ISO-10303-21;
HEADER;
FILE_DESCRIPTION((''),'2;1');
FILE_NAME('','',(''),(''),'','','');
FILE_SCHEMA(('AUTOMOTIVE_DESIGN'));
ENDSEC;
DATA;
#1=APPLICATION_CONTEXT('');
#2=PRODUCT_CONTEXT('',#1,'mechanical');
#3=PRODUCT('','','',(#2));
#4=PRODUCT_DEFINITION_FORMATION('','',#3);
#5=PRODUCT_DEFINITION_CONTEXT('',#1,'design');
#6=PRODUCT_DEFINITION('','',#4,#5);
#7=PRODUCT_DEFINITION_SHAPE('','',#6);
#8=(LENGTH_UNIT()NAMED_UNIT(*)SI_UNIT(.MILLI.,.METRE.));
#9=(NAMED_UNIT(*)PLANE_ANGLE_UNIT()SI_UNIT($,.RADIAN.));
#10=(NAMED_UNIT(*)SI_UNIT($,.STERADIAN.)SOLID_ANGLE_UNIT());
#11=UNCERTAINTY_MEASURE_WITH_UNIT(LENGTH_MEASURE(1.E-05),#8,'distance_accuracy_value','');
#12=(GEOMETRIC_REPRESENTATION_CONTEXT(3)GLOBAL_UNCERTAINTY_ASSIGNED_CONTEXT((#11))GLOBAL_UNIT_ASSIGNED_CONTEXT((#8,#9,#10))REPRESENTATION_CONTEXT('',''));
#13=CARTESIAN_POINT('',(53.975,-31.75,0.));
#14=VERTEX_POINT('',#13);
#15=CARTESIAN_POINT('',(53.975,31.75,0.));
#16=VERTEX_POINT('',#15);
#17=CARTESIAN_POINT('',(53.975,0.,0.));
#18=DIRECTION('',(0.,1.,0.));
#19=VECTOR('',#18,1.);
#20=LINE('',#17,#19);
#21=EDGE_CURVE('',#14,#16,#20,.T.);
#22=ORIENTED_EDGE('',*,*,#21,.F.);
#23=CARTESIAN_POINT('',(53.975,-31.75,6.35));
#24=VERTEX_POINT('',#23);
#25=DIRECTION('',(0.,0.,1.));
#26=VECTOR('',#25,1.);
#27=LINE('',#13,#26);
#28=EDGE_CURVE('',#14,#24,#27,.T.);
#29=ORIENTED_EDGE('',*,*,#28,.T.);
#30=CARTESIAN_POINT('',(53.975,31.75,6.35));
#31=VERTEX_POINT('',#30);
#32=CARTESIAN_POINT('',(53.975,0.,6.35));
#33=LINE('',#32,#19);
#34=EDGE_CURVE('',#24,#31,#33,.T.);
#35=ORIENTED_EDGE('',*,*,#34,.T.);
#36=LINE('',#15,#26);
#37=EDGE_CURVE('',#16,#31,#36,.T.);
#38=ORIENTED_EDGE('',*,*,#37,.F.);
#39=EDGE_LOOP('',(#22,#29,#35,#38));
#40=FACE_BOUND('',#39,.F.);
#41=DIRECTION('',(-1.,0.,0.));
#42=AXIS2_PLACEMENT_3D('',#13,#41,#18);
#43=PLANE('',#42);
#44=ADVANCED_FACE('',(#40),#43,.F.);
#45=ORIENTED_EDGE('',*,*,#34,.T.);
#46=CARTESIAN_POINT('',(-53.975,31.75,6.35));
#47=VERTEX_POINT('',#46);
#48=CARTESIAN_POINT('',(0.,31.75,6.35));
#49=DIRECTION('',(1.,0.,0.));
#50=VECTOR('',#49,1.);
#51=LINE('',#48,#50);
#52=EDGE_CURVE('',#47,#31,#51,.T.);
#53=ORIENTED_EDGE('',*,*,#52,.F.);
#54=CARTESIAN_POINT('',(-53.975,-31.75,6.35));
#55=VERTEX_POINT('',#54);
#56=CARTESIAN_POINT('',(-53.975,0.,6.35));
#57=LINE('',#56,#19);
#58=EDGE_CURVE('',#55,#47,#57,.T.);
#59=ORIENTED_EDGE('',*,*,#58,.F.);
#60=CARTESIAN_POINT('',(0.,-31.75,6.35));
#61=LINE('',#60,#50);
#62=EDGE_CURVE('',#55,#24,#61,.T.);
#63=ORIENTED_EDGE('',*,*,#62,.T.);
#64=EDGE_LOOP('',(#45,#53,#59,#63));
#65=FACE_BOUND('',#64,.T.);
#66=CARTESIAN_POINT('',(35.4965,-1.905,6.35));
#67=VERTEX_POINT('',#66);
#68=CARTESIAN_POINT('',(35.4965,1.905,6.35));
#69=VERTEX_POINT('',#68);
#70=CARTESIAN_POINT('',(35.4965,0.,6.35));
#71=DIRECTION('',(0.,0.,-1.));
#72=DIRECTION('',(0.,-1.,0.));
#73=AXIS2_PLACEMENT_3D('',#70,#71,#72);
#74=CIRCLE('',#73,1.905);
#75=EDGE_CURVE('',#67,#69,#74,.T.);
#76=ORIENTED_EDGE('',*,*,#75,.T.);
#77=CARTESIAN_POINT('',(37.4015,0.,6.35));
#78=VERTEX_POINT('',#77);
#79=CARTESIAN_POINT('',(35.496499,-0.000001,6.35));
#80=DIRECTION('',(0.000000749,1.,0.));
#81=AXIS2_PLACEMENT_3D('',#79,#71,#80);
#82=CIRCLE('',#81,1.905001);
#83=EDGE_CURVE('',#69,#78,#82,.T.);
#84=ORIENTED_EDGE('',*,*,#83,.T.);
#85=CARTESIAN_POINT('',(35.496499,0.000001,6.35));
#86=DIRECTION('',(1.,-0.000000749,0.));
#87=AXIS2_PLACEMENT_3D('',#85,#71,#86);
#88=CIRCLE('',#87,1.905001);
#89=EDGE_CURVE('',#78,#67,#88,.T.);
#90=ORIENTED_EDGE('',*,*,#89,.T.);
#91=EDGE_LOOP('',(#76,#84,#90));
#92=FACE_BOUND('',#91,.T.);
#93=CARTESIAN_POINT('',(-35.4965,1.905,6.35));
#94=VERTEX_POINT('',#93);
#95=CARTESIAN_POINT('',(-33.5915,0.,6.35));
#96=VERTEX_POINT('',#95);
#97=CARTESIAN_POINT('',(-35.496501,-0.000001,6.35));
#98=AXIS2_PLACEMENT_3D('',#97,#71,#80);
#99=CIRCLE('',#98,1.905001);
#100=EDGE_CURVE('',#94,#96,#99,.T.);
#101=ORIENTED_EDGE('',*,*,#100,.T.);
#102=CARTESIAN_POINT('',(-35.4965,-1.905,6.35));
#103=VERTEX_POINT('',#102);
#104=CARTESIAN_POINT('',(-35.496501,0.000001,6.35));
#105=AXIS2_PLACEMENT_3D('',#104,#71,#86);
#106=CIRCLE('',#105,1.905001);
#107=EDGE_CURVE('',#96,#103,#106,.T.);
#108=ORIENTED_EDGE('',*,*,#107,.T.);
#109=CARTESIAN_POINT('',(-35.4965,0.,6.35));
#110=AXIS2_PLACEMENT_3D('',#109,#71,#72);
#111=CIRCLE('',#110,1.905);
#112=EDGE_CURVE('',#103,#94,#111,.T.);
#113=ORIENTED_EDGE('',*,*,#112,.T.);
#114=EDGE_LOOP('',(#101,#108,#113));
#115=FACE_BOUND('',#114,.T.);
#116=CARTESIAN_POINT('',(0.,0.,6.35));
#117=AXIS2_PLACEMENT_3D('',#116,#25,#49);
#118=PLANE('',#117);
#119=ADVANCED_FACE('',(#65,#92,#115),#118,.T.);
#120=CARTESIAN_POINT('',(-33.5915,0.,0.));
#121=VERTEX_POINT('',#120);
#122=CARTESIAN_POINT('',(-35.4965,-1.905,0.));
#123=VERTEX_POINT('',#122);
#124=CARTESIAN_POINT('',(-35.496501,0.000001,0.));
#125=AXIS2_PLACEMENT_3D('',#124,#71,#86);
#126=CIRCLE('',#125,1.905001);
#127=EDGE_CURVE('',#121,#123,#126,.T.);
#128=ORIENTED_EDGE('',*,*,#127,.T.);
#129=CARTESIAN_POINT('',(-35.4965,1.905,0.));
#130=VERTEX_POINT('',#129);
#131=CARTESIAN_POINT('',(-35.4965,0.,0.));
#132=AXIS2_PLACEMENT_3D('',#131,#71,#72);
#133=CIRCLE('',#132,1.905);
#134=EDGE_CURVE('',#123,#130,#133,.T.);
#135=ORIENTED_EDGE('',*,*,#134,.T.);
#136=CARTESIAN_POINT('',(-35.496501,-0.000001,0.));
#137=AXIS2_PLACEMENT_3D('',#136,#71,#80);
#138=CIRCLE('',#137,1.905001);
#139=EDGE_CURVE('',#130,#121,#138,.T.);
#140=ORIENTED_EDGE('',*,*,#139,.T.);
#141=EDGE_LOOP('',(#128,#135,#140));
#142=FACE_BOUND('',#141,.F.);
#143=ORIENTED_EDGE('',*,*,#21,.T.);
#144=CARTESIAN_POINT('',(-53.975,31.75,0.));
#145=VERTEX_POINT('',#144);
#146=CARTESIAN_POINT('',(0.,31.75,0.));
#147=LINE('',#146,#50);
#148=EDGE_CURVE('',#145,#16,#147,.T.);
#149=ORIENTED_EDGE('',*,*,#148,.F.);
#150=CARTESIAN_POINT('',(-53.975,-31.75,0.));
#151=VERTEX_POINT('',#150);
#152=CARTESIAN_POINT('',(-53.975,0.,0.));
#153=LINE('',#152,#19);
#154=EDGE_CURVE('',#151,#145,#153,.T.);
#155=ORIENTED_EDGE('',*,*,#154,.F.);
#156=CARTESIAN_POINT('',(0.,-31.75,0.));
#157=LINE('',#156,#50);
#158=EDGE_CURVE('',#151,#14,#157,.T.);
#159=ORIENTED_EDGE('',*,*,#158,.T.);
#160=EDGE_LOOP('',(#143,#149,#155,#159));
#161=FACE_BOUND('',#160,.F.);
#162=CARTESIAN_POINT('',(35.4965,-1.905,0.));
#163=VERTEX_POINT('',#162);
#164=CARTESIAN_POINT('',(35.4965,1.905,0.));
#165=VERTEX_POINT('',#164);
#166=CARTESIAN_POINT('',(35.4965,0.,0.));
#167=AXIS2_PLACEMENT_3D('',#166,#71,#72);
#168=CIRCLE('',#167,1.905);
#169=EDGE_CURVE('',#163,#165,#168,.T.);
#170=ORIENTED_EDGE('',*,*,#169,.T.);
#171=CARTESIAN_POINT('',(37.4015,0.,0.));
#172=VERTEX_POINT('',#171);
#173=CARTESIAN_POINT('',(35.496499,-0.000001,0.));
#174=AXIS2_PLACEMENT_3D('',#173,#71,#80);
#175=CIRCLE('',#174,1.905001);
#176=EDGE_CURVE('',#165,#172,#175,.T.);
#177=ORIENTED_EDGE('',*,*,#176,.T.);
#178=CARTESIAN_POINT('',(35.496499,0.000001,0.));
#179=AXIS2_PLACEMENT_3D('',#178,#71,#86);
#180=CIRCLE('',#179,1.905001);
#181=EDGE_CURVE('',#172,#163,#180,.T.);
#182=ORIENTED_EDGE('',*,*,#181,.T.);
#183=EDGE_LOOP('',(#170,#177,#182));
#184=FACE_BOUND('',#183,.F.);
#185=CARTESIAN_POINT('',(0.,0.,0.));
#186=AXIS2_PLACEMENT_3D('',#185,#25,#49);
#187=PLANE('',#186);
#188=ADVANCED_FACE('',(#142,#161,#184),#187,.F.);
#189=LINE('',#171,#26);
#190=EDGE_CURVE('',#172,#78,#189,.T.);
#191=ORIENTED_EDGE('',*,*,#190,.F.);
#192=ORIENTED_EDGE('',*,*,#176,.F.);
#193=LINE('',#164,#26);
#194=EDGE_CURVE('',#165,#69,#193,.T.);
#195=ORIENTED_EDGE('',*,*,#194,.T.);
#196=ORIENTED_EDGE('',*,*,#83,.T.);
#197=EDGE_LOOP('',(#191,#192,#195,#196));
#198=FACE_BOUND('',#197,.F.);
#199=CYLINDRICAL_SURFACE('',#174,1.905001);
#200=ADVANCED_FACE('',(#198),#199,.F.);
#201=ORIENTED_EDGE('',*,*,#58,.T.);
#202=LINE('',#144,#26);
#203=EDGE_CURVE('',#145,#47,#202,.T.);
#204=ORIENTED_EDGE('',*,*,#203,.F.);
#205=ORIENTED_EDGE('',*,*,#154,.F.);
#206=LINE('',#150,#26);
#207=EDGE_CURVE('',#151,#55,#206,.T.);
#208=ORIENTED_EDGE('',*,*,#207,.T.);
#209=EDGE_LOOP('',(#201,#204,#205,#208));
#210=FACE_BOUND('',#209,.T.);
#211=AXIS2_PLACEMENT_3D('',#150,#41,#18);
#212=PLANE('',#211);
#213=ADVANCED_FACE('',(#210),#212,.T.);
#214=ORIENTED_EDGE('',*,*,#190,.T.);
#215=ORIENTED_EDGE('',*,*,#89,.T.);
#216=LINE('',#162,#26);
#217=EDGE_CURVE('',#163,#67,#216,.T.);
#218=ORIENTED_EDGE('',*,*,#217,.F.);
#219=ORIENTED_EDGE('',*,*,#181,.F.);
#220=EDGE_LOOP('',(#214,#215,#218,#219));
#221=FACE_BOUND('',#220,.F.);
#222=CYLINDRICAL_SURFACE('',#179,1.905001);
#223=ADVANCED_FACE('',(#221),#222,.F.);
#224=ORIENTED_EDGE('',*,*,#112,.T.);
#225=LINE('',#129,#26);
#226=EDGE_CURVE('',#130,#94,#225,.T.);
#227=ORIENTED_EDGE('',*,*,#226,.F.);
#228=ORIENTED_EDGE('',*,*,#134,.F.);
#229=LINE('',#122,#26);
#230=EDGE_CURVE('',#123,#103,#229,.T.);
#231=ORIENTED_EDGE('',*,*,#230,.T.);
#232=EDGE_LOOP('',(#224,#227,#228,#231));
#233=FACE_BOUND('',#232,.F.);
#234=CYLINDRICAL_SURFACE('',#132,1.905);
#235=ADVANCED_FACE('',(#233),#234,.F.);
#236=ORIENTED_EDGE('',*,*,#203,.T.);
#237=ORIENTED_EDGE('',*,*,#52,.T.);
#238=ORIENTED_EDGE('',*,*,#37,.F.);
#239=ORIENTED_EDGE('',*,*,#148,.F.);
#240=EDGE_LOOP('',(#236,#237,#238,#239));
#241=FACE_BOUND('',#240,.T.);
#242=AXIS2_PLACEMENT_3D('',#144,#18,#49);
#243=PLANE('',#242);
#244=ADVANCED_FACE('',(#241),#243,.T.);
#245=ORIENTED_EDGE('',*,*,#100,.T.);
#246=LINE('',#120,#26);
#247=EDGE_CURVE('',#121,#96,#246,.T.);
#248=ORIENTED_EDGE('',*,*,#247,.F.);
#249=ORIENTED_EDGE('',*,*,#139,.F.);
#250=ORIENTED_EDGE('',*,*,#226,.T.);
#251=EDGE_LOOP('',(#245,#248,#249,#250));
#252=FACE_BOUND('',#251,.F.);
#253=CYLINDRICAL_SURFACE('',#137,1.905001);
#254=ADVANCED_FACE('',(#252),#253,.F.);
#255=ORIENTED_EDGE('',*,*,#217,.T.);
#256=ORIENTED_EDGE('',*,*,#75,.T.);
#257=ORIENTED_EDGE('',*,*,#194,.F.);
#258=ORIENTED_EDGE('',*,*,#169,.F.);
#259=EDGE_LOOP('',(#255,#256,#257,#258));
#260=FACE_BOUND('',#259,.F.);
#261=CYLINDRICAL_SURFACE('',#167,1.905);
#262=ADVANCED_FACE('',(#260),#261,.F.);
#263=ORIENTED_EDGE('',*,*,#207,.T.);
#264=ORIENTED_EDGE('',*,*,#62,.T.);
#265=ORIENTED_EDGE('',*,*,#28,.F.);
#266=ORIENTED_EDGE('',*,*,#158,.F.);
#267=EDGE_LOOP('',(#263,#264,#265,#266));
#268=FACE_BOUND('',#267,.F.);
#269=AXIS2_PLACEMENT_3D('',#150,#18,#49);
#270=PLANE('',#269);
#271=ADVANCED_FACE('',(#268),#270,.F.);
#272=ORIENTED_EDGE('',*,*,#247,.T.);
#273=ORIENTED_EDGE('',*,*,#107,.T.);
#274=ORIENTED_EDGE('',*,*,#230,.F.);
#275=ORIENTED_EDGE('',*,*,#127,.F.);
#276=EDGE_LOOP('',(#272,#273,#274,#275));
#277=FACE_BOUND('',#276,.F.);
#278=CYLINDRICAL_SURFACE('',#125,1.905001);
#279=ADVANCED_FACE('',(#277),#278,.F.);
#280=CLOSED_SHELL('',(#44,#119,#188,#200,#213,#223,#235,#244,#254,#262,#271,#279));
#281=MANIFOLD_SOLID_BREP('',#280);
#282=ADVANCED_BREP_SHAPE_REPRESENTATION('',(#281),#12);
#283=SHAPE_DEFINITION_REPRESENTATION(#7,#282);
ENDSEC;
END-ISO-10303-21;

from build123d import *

# Parameters (mm, degrees)
F0_W     = 107.95
F0_H     = 63.5
F1_DEPTH = 6.35


with BuildPart() as f1:
    # F0 (on Top) → F1 (new body)
    with BuildSketch(Plane.XY):
        Rectangle(F0_W, F0_H)
        with BuildLine():
            Line((-35.4965, 18.534034), (35.4965, 18.534034))
            Line((35.4965, 18.534034), (35.4965, 1.905))
            ThreePointArc((35.4965, 1.905), (36.843538, 1.347038), (37.4015, 0))
            ThreePointArc((37.4015, 0), (36.843538, -1.347038), (35.4965, -1.905))
            Line((35.4965, -1.905), (35.4965, -18.534034))
            Line((35.4965, -18.534034), (-35.4965, -18.534034))
            Line((-35.4965, -18.534034), (-35.4965, -1.905))
            ThreePointArc((-35.4965, -1.905), (-37.4015, 0), (-35.4965, 1.905))
            Line((-35.4965, 1.905), (-35.4965, 18.534034))
        make_face(mode=Mode.SUBTRACT)
        with BuildLine():
            Line((35.4965, 1.905), (35.4965, 18.534034))
            Line((35.4965, 18.534034), (-35.4965, 18.534034))
            Line((-35.4965, 18.534034), (-35.4965, 1.905))
            ThreePointArc((-35.4965, 1.905), (-34.149462, 1.347038), (-33.5915, 0))
            ThreePointArc((-33.5915, 0), (-34.149462, -1.347038), (-35.4965, -1.905))
            Line((-35.4965, -1.905), (-35.4965, -18.534034))
            Line((-35.4965, -18.534034), (35.4965, -18.534034))
            Line((35.4965, -18.534034), (35.4965, -1.905))
            ThreePointArc((35.4965, -1.905), (33.5915, 0), (35.4965, 1.905))
        make_face()
    extrude(amount=F1_DEPTH)


solid = f1.part
